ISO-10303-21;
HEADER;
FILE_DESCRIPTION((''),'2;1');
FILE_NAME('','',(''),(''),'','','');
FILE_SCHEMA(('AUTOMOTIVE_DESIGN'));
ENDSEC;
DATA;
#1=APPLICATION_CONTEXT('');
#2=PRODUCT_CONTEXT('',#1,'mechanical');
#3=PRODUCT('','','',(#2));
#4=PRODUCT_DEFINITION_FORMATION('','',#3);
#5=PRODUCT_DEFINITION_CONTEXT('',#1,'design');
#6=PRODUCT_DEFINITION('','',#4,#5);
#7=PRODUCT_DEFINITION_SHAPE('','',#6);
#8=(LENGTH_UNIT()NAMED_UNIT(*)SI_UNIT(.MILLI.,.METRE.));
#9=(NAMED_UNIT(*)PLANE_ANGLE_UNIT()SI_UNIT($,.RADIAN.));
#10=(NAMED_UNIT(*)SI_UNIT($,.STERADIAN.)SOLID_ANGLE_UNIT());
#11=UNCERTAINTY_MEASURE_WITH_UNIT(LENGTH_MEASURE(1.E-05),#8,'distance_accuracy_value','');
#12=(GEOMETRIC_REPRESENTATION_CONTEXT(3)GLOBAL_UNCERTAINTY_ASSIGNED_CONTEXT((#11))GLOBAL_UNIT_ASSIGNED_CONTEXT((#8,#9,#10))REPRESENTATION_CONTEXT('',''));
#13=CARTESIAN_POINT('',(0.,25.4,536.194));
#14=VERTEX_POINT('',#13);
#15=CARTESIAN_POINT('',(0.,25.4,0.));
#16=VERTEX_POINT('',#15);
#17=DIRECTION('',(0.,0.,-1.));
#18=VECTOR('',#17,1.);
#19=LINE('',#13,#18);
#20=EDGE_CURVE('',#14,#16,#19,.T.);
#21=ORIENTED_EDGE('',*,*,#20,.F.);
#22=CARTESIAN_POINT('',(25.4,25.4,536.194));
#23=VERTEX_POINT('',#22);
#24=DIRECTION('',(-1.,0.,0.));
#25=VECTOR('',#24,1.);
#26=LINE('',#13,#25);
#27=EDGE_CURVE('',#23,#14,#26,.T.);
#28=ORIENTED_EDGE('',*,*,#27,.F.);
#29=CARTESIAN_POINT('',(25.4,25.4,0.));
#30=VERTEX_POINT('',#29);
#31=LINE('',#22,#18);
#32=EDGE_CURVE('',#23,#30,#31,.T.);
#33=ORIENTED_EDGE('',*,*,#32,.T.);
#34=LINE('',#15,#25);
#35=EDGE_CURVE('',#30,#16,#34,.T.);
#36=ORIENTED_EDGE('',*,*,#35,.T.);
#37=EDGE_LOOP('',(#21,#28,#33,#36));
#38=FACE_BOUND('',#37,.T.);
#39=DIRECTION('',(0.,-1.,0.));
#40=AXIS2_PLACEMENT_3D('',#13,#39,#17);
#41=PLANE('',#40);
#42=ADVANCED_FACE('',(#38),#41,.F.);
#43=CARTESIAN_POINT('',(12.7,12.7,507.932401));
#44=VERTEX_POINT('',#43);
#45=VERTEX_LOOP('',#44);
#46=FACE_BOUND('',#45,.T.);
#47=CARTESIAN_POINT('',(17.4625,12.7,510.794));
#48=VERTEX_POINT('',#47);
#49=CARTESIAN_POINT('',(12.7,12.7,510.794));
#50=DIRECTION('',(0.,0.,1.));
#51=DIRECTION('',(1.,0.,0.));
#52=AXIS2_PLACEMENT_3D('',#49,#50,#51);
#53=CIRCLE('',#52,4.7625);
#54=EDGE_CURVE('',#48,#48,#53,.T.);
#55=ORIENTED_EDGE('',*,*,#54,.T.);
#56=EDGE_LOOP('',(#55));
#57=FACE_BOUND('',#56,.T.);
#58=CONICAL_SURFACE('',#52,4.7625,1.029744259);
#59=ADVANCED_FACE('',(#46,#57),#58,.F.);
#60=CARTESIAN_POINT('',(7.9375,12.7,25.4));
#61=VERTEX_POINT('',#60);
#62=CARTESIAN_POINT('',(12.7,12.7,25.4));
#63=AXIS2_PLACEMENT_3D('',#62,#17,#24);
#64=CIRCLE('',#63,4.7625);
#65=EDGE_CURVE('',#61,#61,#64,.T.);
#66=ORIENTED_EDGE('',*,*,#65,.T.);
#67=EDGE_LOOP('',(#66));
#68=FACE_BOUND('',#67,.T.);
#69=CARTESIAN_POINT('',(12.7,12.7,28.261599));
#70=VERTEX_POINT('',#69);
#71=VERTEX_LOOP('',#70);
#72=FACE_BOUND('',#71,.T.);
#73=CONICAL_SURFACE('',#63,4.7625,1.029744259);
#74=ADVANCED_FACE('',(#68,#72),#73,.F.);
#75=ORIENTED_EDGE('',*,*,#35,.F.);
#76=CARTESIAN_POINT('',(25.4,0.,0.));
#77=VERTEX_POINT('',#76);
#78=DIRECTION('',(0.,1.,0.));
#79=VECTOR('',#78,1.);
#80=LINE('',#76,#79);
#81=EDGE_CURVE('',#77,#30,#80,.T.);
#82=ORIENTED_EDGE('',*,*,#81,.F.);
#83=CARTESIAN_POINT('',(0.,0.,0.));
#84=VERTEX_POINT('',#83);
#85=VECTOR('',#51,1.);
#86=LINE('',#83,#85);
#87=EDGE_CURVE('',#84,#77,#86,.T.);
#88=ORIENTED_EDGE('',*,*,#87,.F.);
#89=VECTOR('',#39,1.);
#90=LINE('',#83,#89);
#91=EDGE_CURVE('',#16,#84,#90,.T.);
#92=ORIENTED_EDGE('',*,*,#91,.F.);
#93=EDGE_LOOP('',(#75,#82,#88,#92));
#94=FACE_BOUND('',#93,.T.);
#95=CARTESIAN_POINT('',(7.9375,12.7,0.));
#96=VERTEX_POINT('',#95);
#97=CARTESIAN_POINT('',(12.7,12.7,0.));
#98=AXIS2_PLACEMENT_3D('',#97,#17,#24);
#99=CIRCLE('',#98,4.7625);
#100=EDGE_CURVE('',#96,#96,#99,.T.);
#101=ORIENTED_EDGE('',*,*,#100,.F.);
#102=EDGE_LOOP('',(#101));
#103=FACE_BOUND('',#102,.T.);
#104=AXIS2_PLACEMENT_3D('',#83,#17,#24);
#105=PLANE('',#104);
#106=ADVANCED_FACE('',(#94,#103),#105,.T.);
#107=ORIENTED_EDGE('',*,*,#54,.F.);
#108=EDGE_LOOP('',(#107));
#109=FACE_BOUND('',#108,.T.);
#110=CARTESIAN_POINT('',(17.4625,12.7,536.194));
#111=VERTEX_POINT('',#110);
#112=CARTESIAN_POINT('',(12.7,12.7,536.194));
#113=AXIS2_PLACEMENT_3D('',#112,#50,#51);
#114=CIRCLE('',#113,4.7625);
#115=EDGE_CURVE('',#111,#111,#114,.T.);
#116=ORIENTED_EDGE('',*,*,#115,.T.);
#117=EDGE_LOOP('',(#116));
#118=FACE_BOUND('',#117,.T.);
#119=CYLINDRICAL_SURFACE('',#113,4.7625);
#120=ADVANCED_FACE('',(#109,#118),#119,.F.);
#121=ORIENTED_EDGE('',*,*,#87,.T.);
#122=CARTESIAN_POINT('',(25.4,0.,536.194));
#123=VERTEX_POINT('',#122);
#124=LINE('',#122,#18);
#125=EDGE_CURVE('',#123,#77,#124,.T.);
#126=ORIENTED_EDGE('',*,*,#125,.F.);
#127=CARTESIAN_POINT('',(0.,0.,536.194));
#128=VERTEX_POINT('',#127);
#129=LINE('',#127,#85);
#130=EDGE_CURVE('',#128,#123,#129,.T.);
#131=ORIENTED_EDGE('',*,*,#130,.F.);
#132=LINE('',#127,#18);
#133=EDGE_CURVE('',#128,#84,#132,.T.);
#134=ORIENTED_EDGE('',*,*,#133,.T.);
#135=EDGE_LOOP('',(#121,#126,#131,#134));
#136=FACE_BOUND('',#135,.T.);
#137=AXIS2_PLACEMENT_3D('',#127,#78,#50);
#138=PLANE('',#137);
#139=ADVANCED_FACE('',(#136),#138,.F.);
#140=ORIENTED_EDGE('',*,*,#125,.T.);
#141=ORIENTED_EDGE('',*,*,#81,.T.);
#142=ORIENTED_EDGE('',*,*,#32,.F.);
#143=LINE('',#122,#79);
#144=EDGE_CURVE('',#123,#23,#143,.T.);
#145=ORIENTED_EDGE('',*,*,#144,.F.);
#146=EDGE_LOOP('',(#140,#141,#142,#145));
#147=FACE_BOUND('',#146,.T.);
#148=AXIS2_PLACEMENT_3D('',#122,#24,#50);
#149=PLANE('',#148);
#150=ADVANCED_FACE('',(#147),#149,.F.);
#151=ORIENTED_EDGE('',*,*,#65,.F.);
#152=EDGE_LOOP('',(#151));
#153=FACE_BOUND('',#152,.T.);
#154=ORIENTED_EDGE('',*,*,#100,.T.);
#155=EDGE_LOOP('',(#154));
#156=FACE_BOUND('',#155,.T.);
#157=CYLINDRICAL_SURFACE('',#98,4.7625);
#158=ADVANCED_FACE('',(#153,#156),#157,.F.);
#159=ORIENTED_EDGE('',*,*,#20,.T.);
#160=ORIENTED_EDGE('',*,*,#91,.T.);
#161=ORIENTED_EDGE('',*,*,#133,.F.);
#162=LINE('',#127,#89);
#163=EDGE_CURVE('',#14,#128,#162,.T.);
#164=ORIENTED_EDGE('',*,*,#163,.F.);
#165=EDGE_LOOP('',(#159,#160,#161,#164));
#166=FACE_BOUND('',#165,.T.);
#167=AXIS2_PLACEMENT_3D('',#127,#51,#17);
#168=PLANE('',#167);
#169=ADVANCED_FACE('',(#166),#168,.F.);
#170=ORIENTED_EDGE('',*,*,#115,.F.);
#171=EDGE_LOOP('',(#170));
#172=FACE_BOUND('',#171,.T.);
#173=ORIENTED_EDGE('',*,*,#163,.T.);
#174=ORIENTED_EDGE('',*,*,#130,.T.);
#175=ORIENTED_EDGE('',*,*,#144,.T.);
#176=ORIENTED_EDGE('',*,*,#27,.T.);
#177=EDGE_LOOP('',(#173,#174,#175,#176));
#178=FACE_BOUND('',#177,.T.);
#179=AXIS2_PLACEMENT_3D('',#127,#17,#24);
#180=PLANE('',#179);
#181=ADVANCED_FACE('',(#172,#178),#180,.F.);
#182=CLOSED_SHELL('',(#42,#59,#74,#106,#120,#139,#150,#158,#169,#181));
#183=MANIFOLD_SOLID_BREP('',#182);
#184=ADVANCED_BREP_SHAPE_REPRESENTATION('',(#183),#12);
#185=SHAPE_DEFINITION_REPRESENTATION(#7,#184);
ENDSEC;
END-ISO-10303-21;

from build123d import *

# Parameters (mm, degrees)
SKETCH1_W                        = 25.4
SKETCH1_H                        = 25.4
BOSS_EXTRUDE1_DEPTH              = 536.194
F_3_8_0_375_DIAMETER_HOLE1_D     = 9.525
F_3_8_0_375_DIAMETER_HOLE1_DEPTH = 25.4
F_3_8_0_375_DIAMETER_HOLE1_TIP   = 2.861598698
F_3_8_0_375_DIAMETER_HOLE2_D     = 9.525
F_3_8_0_375_DIAMETER_HOLE2_DEPTH = 25.4
F_3_8_0_375_DIAMETER_HOLE2_TIP   = 2.861598698


with BuildPart() as part:
    # Sketch1 → Boss-Extrude1 (new body)
    with BuildSketch(Plane.XY):
        with Locations((12.7, 12.7)):
            Rectangle(SKETCH1_W, SKETCH1_H)
    extrude(amount=BOSS_EXTRUDE1_DEPTH)

    # 3/8 (0.375) Diameter Hole1
    with Locations(Plane(origin=(0, 0, 0), x_dir=(-1, 0, 0), z_dir=(0, 0, -1))):
        with Locations((-12.7, 12.7)):
            Hole(F_3_8_0_375_DIAMETER_HOLE1_D / 2, depth=F_3_8_0_375_DIAMETER_HOLE1_DEPTH)
            with Locations((0, 0, -(F_3_8_0_375_DIAMETER_HOLE1_DEPTH + F_3_8_0_375_DIAMETER_HOLE1_TIP / 2))):  # 118° drill point
                Cone(0, F_3_8_0_375_DIAMETER_HOLE1_D / 2, F_3_8_0_375_DIAMETER_HOLE1_TIP, mode=Mode.SUBTRACT)

    # 3/8 (0.375) Diameter Hole2
    with Locations(Plane.XY.offset(536.194)):
        with Locations((12.7, 12.7)):
            Hole(F_3_8_0_375_DIAMETER_HOLE2_D / 2, depth=F_3_8_0_375_DIAMETER_HOLE2_DEPTH)
            with Locations((0, 0, -(F_3_8_0_375_DIAMETER_HOLE2_DEPTH + F_3_8_0_375_DIAMETER_HOLE2_TIP / 2))):  # 118° drill point
                Cone(0, F_3_8_0_375_DIAMETER_HOLE2_D / 2, F_3_8_0_375_DIAMETER_HOLE2_TIP, mode=Mode.SUBTRACT)


solid = part.part
